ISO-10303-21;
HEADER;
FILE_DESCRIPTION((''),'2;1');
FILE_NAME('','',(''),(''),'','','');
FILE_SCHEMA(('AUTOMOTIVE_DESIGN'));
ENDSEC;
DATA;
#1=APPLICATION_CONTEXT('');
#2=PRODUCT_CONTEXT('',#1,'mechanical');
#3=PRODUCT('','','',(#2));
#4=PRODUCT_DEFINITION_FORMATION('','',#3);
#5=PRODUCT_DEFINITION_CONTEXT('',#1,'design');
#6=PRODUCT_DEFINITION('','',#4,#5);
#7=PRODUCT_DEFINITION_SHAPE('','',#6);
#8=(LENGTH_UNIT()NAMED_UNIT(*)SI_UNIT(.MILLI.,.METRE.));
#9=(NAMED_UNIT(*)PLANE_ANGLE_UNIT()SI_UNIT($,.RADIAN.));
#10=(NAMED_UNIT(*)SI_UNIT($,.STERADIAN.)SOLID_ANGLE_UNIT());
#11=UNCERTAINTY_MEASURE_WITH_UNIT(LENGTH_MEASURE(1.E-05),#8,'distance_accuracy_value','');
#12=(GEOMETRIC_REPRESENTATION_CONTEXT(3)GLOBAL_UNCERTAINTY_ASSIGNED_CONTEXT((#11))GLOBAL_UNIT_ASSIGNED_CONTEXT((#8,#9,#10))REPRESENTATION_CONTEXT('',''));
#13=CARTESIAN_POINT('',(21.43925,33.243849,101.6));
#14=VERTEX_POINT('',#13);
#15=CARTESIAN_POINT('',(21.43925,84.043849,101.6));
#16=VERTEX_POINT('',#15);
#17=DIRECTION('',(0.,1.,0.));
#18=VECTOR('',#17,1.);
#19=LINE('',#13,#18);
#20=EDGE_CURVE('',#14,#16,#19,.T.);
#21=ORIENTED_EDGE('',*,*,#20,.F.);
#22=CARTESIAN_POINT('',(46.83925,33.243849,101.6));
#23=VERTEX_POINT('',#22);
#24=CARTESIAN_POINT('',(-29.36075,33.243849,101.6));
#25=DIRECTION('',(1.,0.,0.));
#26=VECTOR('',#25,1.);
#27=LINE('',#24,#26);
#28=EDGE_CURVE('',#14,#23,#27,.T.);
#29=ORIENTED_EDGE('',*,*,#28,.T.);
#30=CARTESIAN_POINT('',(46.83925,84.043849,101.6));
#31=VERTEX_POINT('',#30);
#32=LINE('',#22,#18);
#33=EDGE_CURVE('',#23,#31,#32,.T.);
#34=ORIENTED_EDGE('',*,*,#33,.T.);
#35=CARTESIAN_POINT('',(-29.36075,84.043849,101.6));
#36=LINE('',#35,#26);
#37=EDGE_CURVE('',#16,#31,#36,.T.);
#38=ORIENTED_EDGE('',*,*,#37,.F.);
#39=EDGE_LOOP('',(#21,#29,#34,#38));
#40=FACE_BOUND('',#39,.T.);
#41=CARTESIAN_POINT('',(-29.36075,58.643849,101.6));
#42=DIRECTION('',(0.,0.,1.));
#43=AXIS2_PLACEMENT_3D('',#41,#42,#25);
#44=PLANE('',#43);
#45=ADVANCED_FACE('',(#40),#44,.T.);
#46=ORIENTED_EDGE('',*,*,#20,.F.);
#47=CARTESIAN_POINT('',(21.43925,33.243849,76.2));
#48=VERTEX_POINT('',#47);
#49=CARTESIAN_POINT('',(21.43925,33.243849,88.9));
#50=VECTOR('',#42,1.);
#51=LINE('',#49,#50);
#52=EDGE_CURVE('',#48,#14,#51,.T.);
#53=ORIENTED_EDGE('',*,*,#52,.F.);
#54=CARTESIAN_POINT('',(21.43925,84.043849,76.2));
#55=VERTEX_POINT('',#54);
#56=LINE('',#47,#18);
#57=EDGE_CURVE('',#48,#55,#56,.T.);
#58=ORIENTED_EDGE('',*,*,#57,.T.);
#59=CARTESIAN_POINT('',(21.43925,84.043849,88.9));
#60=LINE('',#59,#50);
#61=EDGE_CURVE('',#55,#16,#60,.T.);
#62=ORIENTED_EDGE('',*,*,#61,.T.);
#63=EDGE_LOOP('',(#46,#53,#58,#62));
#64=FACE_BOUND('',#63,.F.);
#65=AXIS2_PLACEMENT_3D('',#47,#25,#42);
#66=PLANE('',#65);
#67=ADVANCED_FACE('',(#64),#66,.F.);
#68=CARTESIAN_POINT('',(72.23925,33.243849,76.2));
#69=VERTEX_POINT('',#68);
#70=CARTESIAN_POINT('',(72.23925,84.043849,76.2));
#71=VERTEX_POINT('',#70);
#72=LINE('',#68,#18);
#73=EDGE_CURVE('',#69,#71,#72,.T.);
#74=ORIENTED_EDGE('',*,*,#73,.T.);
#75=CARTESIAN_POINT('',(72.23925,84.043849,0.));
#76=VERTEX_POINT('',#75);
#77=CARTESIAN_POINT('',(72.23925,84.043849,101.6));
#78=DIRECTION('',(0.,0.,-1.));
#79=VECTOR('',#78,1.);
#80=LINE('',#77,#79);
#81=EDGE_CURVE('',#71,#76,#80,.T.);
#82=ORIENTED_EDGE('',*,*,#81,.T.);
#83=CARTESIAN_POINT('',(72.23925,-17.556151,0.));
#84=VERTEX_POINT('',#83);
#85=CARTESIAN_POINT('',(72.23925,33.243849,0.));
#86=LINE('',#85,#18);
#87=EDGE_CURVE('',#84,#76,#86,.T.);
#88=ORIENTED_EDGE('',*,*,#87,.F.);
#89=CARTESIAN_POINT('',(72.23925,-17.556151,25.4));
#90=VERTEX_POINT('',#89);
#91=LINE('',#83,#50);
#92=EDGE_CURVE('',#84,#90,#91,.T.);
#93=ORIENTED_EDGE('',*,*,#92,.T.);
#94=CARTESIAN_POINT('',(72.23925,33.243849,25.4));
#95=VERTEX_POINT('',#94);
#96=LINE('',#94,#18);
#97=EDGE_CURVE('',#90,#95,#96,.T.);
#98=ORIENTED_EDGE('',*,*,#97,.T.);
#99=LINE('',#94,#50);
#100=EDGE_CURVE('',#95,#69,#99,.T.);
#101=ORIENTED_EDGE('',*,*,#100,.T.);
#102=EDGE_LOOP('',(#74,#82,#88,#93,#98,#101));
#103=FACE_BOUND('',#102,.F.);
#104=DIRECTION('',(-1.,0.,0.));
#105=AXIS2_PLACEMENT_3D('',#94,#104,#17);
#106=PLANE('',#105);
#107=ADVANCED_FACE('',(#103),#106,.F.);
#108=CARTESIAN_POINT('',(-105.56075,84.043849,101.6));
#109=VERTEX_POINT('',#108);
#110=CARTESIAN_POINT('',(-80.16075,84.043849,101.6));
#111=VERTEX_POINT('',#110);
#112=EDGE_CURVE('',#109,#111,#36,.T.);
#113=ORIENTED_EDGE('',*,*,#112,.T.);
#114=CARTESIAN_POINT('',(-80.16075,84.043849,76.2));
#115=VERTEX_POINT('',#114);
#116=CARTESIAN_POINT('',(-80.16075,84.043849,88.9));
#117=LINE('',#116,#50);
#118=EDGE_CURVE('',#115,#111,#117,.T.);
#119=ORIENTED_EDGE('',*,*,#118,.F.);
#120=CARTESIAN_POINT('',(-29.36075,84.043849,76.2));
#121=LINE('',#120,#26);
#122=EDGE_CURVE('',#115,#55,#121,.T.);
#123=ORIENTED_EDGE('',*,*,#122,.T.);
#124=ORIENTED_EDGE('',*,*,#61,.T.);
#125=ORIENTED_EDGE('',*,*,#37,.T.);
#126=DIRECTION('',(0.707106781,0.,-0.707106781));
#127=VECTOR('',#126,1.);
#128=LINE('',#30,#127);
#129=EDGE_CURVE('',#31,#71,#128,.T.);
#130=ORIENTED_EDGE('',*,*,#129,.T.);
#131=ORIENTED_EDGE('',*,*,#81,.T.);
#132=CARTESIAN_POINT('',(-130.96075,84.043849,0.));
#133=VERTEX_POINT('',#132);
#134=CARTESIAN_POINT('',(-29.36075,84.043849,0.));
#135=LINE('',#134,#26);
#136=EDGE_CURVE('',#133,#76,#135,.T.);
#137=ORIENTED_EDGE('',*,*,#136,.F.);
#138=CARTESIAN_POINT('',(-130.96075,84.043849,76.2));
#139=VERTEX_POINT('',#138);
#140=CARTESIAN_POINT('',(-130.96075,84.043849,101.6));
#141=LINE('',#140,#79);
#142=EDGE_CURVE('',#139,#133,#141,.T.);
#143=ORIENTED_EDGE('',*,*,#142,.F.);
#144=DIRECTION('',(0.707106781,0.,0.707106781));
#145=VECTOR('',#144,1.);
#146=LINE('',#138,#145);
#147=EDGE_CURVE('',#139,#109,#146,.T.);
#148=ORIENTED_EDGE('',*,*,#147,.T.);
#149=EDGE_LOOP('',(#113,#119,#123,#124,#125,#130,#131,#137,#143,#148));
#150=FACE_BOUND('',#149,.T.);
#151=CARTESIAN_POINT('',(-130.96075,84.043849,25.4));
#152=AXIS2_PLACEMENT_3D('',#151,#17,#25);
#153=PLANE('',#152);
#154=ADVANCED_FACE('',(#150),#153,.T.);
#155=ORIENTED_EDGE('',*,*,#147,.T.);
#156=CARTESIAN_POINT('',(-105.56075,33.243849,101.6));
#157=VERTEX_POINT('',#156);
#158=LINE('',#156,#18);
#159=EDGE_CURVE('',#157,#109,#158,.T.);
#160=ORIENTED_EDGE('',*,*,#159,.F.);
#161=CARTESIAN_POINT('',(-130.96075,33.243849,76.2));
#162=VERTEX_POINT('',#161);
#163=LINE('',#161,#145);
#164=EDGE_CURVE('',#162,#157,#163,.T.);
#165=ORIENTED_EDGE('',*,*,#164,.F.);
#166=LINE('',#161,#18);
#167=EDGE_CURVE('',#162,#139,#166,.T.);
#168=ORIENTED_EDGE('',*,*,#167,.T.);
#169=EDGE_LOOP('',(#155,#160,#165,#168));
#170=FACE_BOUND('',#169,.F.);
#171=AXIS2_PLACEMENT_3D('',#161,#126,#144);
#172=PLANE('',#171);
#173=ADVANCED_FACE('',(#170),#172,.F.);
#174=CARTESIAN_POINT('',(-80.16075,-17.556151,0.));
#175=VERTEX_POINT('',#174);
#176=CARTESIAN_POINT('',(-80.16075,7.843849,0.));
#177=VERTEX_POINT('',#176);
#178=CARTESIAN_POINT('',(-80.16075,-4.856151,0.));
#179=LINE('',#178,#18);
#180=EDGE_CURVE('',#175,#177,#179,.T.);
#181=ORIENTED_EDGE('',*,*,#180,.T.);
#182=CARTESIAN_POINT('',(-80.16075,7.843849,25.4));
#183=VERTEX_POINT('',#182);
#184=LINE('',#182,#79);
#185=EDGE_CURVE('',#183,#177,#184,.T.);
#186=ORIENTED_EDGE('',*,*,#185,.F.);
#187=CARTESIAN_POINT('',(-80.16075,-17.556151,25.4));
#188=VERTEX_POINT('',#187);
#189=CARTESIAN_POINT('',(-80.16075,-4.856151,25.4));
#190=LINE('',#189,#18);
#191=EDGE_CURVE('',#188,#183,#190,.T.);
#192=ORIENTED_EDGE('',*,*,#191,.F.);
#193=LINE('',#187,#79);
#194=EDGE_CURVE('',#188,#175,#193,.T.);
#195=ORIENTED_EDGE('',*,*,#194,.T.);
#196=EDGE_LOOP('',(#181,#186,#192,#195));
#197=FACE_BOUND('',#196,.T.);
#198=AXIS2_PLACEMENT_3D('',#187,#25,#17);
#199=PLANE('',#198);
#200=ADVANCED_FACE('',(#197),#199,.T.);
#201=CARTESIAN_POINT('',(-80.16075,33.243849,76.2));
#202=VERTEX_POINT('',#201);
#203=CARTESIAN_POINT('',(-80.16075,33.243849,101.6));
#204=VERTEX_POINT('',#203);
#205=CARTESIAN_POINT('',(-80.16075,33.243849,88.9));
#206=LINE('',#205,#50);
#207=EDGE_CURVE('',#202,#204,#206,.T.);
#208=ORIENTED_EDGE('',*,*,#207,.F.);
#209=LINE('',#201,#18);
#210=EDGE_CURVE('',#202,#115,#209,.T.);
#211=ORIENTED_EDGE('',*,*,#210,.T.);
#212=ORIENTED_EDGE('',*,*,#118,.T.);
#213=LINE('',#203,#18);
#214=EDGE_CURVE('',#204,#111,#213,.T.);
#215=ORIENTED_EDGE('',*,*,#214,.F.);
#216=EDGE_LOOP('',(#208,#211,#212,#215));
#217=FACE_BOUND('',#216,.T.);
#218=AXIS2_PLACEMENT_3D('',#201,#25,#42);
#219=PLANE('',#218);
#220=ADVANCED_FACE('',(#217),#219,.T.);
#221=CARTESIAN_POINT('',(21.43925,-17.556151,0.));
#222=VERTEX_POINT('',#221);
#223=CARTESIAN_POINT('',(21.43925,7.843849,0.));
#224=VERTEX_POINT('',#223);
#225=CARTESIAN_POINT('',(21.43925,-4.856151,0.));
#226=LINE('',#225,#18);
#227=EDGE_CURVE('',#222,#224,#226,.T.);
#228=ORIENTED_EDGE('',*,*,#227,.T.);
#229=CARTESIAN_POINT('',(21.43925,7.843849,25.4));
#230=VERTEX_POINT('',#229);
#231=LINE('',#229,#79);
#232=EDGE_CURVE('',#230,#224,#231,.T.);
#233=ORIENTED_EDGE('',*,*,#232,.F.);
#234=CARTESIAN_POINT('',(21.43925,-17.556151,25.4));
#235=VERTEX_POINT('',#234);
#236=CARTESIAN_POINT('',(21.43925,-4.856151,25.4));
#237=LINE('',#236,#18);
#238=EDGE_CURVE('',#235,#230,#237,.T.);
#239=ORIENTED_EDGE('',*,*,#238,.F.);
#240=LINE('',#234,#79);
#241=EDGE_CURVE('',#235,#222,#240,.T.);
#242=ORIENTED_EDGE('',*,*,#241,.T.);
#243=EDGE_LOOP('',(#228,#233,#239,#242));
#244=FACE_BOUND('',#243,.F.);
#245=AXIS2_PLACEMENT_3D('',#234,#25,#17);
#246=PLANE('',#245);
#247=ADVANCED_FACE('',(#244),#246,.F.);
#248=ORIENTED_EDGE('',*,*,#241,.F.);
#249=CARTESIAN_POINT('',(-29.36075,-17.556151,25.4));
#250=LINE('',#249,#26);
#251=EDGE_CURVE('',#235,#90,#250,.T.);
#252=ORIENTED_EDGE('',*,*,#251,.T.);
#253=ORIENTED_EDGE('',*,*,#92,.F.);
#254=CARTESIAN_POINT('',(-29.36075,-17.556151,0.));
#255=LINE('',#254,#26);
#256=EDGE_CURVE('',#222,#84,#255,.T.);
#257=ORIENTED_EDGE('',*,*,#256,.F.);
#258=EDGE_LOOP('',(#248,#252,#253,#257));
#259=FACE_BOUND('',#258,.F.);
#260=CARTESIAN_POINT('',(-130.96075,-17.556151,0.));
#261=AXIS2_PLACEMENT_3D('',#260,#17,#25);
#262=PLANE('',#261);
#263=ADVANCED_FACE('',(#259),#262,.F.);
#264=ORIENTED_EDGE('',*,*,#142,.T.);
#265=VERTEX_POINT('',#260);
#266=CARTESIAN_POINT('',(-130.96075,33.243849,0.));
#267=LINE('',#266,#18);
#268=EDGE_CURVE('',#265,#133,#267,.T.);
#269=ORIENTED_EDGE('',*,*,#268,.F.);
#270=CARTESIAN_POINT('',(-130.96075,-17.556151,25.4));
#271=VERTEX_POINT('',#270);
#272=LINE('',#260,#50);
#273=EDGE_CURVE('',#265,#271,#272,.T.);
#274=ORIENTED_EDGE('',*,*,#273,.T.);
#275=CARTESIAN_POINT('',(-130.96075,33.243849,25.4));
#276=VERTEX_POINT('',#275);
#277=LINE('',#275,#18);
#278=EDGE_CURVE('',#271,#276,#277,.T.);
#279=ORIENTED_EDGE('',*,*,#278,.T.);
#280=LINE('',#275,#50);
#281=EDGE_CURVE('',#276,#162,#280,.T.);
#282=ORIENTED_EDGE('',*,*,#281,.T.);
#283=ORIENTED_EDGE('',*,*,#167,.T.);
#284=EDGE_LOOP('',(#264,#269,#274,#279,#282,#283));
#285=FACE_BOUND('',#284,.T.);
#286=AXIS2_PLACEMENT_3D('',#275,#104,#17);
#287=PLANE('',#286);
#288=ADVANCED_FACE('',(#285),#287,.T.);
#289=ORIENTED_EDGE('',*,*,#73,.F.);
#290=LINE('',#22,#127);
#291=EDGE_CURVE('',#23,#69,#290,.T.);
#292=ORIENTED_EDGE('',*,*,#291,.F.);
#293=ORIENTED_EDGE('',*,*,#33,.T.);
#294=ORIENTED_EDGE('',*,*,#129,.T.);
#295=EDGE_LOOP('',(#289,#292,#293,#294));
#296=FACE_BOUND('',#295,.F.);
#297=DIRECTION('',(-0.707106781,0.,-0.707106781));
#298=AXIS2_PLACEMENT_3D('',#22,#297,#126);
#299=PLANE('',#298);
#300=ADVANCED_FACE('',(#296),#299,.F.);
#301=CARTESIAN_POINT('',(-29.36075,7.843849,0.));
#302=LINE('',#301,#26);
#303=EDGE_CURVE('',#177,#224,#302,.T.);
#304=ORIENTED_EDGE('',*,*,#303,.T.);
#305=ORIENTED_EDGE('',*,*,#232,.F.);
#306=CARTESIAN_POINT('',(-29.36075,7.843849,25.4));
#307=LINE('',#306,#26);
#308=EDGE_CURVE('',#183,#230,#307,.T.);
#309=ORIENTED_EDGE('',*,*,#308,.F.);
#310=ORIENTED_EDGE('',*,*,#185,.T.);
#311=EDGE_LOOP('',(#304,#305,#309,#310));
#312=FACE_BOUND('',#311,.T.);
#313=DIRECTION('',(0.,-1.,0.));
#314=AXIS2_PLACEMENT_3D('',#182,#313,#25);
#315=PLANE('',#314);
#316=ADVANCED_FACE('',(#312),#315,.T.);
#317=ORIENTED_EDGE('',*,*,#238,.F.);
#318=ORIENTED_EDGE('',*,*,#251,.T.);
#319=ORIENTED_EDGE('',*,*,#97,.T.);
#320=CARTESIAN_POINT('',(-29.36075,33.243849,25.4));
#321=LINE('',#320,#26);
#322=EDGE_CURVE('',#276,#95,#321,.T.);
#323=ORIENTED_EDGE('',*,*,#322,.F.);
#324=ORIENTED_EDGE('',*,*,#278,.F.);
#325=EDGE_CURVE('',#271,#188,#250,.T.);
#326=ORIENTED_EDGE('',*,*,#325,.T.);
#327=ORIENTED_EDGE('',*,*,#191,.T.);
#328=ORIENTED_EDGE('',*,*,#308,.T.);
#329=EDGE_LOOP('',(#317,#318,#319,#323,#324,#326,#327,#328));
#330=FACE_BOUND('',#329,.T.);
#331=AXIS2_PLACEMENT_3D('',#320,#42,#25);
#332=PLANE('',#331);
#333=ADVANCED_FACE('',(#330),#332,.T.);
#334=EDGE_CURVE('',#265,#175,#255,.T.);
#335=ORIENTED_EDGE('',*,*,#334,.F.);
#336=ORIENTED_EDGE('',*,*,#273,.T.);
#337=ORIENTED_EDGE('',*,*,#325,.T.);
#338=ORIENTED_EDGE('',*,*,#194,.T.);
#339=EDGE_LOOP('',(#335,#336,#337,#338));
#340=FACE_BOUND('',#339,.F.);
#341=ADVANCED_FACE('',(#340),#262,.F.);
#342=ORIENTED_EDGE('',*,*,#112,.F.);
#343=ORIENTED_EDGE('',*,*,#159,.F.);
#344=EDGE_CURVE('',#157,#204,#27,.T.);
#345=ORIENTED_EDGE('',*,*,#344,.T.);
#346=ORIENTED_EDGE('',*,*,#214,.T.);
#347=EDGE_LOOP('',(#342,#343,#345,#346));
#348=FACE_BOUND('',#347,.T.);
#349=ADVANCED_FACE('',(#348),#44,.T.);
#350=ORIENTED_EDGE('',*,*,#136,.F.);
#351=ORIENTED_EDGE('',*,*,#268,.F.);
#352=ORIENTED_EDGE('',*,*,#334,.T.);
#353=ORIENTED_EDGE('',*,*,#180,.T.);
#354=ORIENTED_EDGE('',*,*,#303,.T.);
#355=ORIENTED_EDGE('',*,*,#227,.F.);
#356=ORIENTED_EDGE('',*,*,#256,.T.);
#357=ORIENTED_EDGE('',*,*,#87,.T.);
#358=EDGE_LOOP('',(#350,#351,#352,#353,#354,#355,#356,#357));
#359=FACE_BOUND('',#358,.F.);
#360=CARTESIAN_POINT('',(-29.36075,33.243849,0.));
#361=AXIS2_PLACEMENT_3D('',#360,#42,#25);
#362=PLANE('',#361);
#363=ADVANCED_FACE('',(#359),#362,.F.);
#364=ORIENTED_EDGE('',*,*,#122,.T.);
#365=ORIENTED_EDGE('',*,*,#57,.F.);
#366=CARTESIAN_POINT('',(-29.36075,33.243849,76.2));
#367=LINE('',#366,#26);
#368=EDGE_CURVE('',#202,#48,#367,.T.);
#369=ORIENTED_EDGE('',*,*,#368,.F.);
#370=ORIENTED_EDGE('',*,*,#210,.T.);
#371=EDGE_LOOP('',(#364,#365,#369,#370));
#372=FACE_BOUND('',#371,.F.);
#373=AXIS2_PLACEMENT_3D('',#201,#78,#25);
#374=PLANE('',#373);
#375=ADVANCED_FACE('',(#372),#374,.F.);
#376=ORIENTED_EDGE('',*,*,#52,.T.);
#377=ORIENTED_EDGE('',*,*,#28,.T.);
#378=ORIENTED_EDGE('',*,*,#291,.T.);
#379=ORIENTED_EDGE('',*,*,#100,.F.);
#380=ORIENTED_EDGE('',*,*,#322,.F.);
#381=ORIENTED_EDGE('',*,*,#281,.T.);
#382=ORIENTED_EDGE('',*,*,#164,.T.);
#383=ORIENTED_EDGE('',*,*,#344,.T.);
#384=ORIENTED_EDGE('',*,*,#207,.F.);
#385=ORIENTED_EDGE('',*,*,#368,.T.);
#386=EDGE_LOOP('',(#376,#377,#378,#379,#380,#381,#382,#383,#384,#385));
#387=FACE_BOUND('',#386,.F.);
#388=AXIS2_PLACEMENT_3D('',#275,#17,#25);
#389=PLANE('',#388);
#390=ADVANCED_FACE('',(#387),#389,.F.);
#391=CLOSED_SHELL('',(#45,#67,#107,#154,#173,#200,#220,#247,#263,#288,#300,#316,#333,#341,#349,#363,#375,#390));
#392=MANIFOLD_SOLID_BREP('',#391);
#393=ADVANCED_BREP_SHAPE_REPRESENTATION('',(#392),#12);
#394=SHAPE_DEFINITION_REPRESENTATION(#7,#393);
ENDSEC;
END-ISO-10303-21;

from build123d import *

# Parameters (mm, degrees)
F0_W     = 203.2
F0_H     = 101.6
F1_DEPTH = 25.4
F2_W     = 203.2
F2_H     = 50.8
F3_DEPTH = 76.2
F4_W     = 101.6
F4_H     = 25.4
F5_DEPTH = 25.4
F6_W     = 101.6
F6_H     = 25.4
F7_DEPTH = 50.8
F9_DEPTH = 50.8


with BuildPart() as f1:
    # F0 (on Top) → F1 (new body)
    with BuildSketch(Plane.XY):
        with Locations((-29.36075, 33.243849)):
            Rectangle(F0_W, F0_H)
    extrude(amount=F1_DEPTH)

    # F2 (on face) → F3 (join)
    with BuildSketch(Plane.XY.offset(25.4)):
        with Locations((-29.36075, 58.643849)):
            Rectangle(F2_W, F2_H)
    extrude(amount=F3_DEPTH)

    # F4 (on face) → F5 (cut, through all)
    with BuildSketch(Plane.XY.offset(25.4)):
        with Locations((-29.36075, -4.856151)):
            Rectangle(F4_W, F4_H)
    extrude(amount=-F5_DEPTH, mode=Mode.SUBTRACT)

    # F6 (on face) → F7 (cut, through all)
    with BuildSketch(Plane.XZ.offset(-33.243849)):
        with Locations((-29.36075, 88.9)):
            Rectangle(F6_W, F6_H)
    extrude(amount=-F7_DEPTH, mode=Mode.SUBTRACT)

    # F8 (on face) → F9 (cut, through all)
    with BuildSketch(Plane.XZ.offset(-33.243849)):
        Polygon((-130.96075, 76.2), (-105.56075, 101.6), (-130.96075, 101.6), align=None)
        Polygon((72.23925, 101.6), (46.83925, 101.6), (72.23925, 76.2), align=None)
    extrude(amount=-F9_DEPTH, mode=Mode.SUBTRACT)


solid = f1.part
